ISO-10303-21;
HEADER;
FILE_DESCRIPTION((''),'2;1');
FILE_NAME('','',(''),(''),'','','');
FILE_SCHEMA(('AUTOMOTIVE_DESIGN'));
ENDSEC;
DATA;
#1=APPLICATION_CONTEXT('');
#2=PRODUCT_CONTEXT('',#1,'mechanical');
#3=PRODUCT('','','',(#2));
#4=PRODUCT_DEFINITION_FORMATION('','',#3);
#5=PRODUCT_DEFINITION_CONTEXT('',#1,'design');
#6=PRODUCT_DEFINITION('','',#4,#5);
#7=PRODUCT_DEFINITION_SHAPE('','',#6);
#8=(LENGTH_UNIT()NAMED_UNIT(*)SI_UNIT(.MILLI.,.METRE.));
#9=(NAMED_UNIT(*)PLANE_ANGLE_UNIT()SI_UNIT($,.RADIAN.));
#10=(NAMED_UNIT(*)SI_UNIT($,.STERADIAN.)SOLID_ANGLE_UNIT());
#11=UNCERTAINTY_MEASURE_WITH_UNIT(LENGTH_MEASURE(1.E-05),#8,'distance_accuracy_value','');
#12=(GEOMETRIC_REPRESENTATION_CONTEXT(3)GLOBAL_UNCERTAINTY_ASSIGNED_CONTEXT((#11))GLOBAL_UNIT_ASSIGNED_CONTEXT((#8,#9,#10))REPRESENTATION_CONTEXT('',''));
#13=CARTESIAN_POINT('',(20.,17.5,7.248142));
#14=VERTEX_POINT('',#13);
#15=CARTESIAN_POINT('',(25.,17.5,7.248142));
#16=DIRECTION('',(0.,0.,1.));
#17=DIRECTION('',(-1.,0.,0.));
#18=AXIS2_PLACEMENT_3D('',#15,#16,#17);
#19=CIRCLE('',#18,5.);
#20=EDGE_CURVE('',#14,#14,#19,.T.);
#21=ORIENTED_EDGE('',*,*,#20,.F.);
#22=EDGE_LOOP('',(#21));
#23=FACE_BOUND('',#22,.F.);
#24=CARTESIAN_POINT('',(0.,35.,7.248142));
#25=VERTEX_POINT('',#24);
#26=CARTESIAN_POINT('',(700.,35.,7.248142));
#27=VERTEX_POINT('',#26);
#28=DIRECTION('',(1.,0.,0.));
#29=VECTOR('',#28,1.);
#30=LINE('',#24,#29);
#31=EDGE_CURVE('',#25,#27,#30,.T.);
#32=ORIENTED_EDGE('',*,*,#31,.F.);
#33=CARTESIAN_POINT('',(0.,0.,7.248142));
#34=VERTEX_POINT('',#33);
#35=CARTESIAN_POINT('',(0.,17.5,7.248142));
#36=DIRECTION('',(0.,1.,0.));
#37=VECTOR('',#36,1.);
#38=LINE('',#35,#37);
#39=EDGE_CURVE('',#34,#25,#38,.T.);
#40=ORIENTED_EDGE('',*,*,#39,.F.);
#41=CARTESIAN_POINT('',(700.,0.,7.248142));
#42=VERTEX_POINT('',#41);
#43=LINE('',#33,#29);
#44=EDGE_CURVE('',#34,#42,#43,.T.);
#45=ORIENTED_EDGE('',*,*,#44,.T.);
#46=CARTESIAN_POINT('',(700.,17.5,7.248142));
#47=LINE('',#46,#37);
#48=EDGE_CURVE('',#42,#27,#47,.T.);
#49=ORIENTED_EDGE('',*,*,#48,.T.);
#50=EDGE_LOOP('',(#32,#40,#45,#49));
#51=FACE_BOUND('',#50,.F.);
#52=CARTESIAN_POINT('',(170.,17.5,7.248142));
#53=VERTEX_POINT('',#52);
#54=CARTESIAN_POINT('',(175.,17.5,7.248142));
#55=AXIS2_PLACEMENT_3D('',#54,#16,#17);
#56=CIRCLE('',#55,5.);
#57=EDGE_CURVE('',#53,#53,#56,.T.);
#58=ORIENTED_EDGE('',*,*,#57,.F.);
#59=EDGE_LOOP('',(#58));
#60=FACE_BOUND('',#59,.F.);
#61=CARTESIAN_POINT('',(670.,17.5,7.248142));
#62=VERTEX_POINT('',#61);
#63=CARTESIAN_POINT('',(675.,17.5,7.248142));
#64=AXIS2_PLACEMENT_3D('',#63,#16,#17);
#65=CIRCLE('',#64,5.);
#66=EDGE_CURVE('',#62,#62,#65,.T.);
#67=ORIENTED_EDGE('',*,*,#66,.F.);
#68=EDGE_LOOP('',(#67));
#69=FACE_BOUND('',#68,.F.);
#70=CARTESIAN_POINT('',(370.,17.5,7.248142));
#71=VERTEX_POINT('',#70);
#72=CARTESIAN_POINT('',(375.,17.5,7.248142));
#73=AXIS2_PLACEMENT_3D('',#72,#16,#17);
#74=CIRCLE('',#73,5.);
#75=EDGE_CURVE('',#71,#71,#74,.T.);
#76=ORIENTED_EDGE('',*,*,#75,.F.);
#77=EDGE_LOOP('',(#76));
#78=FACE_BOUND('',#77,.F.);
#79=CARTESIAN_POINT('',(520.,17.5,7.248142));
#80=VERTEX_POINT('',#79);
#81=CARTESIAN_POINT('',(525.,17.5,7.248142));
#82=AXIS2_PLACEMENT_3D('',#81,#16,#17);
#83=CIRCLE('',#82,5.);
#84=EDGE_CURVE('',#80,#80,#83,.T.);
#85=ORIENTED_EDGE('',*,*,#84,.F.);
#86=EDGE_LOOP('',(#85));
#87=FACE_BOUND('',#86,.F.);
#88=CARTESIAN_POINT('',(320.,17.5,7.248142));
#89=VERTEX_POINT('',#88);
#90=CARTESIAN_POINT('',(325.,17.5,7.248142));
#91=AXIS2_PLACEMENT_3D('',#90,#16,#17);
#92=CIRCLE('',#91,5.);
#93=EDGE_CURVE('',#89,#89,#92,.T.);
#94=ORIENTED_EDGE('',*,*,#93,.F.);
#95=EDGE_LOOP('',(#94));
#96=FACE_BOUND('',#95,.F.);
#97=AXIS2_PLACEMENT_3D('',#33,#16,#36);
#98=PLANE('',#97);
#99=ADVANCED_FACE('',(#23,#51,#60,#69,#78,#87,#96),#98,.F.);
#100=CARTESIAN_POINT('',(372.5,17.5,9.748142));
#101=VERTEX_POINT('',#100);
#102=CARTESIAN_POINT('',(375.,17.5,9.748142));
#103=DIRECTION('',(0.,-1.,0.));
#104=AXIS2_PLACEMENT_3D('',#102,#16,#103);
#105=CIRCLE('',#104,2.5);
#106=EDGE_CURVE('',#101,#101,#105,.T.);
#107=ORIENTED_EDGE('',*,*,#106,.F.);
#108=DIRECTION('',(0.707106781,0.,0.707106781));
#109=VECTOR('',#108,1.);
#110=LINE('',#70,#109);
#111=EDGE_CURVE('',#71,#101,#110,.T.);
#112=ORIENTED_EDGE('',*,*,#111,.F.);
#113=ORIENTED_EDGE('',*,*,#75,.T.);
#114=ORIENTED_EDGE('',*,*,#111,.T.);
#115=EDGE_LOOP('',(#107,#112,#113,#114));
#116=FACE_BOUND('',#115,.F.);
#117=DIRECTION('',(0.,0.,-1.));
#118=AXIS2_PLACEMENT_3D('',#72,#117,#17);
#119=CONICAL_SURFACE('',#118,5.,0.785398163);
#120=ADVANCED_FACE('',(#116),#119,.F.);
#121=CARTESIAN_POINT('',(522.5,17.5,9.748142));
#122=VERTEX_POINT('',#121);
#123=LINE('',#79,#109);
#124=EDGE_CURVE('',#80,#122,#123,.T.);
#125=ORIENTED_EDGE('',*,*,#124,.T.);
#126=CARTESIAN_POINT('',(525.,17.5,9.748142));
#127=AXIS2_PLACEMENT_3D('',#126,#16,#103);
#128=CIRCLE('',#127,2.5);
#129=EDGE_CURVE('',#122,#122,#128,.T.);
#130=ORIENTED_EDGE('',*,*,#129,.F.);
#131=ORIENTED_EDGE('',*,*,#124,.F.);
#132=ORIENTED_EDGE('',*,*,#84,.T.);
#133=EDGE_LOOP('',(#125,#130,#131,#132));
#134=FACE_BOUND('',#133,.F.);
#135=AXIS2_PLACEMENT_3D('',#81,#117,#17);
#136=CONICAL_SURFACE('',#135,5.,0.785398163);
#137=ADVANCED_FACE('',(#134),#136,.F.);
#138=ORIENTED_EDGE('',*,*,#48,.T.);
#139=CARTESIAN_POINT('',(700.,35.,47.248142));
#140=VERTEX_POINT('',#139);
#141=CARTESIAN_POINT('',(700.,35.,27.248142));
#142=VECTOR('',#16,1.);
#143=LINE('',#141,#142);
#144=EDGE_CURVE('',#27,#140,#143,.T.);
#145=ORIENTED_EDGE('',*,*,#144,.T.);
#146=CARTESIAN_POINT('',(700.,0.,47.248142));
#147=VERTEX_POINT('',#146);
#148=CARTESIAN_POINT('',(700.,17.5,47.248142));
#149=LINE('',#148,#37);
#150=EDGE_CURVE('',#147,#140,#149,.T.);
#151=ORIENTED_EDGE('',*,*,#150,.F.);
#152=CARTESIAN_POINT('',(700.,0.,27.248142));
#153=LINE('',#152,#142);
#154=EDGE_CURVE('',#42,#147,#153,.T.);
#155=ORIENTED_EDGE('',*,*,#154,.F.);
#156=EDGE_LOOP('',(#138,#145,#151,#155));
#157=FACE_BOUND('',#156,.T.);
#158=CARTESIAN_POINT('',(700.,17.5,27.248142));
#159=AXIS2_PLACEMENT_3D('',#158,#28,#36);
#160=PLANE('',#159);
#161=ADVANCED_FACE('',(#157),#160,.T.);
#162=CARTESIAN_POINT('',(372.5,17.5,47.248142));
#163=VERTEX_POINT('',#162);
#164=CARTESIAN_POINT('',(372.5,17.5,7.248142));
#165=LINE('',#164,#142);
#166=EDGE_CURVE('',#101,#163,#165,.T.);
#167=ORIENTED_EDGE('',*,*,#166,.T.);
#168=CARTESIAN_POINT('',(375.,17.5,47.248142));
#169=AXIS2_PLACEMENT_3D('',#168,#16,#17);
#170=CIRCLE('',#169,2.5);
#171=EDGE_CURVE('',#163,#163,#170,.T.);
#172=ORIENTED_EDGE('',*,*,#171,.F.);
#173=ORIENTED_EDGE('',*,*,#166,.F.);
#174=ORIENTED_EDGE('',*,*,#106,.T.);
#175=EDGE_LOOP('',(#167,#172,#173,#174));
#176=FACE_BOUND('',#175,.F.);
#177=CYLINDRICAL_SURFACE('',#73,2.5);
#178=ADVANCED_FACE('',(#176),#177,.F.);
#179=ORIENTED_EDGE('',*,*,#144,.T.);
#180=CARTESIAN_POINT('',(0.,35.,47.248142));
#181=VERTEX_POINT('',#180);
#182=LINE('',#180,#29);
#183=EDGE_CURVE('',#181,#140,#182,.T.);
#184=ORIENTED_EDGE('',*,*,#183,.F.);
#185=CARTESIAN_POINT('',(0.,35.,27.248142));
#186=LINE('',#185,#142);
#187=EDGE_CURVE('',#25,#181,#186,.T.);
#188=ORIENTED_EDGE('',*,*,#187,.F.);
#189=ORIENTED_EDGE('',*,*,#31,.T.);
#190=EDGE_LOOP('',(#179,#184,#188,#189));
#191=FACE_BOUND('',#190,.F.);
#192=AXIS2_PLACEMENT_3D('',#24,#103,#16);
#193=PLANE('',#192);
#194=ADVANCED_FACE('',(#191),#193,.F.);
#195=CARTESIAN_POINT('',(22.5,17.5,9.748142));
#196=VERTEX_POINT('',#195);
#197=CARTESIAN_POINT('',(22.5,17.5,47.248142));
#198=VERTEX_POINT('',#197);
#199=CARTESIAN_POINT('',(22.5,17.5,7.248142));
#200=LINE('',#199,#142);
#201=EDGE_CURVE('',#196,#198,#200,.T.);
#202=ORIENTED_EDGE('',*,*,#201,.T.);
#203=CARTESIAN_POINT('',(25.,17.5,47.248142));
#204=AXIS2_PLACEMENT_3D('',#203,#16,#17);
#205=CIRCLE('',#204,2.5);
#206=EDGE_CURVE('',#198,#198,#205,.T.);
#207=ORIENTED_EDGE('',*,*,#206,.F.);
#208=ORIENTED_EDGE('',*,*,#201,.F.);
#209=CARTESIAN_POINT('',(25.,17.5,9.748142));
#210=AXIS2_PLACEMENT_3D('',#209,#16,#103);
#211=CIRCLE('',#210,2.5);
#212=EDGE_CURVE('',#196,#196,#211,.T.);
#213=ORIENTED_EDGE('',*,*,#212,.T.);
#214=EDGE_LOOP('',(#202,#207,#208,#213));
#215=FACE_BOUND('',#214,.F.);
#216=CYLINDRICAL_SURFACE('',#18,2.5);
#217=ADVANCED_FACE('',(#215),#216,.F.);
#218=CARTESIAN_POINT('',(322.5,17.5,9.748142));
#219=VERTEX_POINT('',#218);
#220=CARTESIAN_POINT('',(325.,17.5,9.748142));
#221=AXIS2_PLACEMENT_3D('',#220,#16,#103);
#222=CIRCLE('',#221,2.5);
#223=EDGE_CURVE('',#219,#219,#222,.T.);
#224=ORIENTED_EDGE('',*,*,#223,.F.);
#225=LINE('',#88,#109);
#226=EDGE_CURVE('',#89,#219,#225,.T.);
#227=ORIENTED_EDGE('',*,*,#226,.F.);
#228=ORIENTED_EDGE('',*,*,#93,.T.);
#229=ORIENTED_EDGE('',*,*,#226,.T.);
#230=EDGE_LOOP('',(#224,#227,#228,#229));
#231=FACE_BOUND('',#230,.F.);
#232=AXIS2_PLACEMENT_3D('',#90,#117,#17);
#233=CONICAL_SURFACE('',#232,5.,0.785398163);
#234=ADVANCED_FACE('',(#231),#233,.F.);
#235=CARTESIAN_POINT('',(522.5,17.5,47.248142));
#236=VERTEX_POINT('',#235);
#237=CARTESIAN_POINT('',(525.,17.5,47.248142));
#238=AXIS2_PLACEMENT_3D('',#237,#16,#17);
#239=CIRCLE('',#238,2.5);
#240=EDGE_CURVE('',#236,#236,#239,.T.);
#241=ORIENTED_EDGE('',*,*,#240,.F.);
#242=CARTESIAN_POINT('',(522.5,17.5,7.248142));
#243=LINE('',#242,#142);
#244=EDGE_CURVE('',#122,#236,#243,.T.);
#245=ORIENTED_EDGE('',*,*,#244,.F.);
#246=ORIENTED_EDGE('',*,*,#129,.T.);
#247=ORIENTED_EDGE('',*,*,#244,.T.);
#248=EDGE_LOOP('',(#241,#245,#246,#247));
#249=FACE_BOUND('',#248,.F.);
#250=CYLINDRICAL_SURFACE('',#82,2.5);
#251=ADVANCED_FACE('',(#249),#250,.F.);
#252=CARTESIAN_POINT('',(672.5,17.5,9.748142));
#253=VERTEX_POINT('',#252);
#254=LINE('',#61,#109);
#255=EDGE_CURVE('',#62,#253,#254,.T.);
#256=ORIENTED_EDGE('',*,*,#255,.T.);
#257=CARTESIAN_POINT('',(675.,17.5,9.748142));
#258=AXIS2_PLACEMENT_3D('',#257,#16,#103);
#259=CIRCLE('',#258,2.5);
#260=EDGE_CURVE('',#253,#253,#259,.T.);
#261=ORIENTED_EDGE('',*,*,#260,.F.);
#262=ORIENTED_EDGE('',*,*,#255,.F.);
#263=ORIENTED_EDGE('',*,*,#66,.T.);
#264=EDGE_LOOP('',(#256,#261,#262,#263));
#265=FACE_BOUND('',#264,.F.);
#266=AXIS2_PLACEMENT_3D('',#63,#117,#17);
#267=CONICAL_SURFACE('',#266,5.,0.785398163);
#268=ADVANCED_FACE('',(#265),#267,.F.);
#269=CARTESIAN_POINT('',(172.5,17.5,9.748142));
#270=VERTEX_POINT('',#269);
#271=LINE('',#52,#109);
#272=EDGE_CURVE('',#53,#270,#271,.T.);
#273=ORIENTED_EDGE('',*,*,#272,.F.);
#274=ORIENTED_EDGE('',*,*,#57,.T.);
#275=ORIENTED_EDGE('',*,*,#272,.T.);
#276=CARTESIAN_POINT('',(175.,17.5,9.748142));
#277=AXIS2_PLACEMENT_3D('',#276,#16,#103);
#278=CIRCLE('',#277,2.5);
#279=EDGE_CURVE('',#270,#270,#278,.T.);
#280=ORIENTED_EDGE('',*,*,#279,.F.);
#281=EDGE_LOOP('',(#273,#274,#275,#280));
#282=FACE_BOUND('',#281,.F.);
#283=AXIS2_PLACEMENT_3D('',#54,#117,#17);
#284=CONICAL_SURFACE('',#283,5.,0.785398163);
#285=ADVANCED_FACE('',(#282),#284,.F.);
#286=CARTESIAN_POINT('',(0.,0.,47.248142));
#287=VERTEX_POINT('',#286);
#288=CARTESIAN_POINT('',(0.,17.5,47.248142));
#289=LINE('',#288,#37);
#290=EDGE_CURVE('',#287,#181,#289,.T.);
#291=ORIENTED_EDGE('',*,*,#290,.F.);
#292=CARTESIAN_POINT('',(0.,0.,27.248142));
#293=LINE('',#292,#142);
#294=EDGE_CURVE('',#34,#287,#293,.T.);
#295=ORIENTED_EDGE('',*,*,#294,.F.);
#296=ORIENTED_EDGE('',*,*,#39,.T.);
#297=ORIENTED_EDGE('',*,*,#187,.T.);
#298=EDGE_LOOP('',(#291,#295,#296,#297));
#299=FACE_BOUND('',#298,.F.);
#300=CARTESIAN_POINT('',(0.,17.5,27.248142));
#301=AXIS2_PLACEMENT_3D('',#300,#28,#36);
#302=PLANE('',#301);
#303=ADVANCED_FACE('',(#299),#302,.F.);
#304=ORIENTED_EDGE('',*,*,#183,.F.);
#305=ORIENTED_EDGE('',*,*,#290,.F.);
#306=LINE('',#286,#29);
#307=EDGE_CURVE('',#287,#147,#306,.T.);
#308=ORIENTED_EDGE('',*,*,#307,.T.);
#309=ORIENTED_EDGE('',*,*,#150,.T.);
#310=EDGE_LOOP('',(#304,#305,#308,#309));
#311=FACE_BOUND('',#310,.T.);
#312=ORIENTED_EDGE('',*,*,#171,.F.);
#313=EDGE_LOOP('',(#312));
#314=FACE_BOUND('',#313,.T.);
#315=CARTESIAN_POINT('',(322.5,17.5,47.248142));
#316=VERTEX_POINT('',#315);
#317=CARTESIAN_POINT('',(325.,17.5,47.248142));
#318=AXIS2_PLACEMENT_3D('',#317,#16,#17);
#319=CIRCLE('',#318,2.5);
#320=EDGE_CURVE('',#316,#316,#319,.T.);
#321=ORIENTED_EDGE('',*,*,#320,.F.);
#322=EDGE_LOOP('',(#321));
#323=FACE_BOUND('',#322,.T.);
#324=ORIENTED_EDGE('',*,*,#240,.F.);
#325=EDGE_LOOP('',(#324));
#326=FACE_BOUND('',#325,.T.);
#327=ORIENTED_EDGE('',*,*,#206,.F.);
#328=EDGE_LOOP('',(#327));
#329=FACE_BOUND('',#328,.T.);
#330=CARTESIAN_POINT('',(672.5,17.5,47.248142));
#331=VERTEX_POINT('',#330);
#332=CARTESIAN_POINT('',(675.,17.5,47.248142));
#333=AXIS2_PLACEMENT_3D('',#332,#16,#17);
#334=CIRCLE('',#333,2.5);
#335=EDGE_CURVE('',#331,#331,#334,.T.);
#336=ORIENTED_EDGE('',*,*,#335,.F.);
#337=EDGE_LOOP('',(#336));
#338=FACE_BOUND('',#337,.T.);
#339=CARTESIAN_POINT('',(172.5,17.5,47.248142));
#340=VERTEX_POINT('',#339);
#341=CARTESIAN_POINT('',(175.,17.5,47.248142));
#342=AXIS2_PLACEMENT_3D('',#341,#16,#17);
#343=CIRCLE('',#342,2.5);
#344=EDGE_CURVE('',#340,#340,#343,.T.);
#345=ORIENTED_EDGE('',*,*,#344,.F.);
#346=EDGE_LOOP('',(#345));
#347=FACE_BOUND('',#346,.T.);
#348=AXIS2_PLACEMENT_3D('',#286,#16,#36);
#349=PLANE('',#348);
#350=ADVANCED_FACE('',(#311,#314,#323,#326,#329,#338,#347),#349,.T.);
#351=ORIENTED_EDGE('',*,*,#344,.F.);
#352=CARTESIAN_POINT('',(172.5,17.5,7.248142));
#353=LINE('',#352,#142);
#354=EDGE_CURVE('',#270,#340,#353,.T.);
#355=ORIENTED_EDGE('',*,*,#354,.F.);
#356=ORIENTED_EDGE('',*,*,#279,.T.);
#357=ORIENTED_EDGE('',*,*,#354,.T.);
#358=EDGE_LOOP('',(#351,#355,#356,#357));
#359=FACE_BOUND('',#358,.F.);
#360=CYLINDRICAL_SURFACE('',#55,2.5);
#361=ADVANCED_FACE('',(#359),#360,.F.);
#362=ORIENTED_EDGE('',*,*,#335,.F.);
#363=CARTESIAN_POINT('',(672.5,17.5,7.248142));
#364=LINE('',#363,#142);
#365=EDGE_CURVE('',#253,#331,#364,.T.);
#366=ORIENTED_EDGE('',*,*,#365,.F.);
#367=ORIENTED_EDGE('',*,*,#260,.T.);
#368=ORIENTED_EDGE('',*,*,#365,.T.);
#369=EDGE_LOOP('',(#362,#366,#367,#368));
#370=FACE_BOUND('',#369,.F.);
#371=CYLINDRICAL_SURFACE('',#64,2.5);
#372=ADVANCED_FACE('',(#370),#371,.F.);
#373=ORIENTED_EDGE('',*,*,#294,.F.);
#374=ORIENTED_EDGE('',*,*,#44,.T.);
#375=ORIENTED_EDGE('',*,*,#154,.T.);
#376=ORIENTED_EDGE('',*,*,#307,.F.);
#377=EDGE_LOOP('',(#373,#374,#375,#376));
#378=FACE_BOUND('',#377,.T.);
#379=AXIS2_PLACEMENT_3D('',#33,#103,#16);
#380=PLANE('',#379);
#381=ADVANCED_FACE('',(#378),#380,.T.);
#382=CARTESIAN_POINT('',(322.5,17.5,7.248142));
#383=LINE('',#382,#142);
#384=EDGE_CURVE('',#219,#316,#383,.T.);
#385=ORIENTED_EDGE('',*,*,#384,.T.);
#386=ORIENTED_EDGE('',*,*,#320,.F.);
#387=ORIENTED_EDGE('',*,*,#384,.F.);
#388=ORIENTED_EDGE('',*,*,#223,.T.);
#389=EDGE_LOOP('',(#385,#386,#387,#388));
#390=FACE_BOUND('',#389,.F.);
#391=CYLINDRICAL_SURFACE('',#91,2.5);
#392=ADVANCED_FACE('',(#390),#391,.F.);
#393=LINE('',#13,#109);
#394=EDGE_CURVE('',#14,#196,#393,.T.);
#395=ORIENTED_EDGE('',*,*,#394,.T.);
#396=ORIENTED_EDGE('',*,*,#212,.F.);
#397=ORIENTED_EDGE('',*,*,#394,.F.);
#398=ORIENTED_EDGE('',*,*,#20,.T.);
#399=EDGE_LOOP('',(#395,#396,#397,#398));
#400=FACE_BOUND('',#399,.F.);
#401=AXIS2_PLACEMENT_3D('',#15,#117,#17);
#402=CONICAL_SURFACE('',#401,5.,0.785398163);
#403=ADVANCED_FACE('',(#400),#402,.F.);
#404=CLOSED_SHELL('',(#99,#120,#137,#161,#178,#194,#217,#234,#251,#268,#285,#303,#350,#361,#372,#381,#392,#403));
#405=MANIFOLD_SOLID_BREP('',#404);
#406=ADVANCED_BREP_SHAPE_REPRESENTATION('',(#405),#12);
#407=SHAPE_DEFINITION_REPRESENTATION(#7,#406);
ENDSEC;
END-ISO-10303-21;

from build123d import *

# Parameters (mm, degrees)
F0_W           = 35
F0_H           = 40
F1_DEPTH       = 700
F3_D           = 5
F3_CSINK_D     = 10
F3_CSINK_ANGLE = 90


with BuildPart() as f1:
    # F0 (on Right) → F1 (new body)
    with BuildSketch(Plane.YZ):
        with Locations((17.5, 27.248142)):
            Rectangle(F0_W, F0_H)
    extrude(amount=F1_DEPTH)

    # F3 (through all)
    with Locations(Plane(origin=(0, 0, 7.248142), x_dir=(1, 0, 0), z_dir=(0, 0, -1))):
        with Locations((25, -17.5), (175, -17.5), (325, -17.5), (375, -17.5), (675, -17.5), (525, -17.5)):
            CounterSinkHole(F3_D / 2, F3_CSINK_D / 2, counter_sink_angle=F3_CSINK_ANGLE)


solid = f1.part
